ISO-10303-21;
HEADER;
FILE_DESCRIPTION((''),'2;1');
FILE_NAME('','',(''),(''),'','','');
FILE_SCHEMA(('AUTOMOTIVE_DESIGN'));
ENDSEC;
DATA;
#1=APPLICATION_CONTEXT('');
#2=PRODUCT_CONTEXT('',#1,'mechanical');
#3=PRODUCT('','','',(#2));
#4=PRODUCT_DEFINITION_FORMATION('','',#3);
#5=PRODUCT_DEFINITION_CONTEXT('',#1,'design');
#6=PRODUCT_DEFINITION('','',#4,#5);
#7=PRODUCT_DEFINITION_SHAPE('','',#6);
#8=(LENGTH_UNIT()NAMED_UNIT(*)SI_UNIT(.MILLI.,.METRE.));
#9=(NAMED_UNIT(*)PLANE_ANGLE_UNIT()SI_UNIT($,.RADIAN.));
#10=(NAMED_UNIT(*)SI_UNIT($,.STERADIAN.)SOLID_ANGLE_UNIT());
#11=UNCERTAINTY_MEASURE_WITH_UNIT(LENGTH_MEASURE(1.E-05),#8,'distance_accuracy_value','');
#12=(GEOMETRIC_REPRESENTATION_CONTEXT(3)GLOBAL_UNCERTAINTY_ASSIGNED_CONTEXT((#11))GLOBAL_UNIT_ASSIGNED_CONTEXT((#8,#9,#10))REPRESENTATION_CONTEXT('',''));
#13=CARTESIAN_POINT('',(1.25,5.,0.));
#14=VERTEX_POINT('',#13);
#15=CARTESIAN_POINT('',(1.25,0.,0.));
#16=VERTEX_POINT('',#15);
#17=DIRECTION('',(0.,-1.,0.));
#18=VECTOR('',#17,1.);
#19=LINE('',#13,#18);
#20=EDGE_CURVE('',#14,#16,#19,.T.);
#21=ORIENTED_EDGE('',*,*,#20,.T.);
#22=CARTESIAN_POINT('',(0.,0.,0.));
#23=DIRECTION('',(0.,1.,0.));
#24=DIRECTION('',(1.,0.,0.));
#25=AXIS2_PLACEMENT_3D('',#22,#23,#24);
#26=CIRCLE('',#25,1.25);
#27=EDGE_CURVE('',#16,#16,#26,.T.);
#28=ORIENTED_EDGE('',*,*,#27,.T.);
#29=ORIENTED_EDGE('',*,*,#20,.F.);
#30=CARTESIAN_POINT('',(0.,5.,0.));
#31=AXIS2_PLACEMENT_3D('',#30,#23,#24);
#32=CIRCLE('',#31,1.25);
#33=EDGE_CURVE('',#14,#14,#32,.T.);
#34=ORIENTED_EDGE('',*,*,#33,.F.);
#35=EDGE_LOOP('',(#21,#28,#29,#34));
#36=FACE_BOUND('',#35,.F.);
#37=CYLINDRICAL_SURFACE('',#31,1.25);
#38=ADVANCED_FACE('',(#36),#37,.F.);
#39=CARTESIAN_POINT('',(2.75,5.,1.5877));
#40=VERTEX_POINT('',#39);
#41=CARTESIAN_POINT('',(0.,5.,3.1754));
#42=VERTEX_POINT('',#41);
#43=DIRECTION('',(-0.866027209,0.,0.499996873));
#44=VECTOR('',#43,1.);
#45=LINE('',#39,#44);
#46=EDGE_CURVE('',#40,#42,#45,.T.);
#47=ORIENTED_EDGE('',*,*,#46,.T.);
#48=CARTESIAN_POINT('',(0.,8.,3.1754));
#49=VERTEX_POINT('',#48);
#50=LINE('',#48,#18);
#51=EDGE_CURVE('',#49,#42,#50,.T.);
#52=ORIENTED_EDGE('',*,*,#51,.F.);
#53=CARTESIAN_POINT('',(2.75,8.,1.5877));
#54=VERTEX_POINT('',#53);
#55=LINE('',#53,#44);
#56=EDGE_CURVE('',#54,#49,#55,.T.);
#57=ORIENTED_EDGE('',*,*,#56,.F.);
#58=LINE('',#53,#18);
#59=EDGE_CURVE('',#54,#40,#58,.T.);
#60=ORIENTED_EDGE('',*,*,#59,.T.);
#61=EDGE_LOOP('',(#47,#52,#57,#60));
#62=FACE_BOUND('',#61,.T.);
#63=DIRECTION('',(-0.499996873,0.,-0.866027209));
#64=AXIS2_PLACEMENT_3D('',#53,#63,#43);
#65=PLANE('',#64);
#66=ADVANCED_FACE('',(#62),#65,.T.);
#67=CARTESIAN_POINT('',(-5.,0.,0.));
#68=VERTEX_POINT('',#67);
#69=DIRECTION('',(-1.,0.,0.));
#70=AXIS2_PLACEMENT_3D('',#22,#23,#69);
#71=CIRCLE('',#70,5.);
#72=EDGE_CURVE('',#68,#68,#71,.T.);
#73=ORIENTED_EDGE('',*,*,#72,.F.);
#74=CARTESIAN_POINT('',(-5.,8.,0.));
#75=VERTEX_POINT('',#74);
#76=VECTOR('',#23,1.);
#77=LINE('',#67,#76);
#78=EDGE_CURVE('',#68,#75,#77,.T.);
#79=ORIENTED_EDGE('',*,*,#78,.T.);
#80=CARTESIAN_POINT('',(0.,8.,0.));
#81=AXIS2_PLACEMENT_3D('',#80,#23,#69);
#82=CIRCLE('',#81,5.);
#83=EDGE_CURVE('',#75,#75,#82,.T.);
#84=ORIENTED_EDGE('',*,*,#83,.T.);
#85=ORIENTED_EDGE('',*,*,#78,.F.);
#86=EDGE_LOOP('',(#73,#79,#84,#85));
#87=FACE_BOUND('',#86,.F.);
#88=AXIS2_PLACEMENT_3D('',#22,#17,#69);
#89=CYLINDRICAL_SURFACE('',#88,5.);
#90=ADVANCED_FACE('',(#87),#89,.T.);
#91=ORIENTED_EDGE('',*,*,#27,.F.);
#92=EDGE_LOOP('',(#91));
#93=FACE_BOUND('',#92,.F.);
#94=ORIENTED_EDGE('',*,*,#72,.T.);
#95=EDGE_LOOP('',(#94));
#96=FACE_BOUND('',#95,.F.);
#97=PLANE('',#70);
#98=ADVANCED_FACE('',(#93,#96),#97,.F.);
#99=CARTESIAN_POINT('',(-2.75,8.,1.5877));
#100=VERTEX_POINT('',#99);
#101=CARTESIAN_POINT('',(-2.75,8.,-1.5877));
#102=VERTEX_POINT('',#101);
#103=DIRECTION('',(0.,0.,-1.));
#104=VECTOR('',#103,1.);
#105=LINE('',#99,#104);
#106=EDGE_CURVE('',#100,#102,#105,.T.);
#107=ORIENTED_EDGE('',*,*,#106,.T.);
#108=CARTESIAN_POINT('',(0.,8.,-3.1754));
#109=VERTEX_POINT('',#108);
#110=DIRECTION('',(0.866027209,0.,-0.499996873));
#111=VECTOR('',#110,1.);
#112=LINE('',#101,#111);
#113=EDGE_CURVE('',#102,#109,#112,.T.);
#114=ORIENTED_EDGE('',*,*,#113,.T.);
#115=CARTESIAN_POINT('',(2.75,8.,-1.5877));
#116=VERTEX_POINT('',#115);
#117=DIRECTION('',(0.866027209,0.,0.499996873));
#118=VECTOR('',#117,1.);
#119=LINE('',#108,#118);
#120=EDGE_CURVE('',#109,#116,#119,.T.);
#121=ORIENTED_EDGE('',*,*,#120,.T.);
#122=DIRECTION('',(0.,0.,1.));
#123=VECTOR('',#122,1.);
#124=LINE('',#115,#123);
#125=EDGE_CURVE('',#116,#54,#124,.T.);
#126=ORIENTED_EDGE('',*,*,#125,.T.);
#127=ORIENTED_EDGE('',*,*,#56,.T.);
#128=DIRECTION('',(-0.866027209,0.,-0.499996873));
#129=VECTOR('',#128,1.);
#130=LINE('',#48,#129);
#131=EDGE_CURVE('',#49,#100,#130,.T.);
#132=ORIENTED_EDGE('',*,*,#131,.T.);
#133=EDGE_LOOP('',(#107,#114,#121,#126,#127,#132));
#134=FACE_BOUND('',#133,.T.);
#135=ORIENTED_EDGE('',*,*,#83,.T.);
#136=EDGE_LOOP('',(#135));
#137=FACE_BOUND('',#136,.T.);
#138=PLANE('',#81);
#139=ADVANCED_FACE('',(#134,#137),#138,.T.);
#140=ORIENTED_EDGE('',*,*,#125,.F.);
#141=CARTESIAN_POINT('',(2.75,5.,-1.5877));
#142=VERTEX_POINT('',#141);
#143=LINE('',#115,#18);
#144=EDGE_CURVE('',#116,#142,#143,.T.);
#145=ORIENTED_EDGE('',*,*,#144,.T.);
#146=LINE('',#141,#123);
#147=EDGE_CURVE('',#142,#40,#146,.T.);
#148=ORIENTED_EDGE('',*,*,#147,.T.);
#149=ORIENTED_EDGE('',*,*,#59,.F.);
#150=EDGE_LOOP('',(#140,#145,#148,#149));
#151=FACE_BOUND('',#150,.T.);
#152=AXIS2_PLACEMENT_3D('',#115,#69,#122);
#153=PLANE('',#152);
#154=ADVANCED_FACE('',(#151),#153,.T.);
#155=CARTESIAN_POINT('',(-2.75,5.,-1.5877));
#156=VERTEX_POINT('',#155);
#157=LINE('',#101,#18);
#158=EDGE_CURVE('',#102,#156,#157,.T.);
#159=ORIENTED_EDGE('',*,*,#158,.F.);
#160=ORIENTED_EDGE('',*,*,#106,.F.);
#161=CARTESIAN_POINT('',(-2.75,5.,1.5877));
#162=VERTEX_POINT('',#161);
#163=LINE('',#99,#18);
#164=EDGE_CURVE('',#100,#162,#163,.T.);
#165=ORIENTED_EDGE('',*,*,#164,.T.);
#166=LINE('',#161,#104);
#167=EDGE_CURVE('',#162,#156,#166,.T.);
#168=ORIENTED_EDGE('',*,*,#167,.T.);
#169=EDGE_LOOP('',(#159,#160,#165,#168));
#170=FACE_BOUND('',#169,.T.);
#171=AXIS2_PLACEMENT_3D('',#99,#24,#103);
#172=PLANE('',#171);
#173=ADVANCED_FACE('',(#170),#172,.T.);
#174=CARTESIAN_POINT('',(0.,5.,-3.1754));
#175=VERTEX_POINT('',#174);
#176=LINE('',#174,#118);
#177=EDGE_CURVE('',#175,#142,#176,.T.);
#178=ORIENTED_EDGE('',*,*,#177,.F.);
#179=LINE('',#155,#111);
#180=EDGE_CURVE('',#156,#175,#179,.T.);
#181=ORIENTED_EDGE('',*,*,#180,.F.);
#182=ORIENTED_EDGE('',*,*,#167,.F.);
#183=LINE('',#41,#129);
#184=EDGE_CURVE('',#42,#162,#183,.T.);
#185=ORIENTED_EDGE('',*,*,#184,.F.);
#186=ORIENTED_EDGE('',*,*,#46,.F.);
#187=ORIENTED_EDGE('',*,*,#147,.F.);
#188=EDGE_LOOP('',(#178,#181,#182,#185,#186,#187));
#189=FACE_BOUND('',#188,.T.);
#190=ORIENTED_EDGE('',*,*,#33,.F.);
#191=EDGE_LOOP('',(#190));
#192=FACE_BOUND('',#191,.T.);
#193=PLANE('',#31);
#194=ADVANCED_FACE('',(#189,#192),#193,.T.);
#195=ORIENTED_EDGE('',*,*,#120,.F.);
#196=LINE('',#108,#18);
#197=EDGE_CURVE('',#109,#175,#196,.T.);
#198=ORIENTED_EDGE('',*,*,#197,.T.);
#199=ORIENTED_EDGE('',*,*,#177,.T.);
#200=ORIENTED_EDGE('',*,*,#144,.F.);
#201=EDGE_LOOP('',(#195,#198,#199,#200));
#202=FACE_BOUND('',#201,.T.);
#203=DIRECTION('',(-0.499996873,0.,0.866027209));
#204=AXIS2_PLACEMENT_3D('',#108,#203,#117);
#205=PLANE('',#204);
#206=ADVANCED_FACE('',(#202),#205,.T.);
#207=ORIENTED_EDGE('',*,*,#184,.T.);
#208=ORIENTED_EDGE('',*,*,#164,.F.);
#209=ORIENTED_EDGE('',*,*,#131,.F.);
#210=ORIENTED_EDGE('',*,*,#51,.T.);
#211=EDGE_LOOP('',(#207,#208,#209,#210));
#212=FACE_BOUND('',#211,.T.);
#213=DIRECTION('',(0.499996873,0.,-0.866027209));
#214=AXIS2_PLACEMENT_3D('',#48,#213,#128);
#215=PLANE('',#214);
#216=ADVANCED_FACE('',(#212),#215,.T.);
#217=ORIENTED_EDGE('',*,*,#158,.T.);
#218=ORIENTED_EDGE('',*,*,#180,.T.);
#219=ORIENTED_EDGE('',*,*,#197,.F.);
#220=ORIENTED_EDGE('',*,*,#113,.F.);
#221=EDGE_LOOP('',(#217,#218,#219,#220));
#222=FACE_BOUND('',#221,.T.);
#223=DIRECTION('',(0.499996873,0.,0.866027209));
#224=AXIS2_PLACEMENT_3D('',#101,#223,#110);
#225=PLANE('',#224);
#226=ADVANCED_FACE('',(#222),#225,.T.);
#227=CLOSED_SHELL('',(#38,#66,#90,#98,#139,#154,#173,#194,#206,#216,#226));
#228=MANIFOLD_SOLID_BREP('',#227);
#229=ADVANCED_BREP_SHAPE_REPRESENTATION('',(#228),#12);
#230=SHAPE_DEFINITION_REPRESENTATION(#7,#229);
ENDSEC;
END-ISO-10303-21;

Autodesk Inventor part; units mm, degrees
ref_plane "YZ Plane" through (0, 0, 0) normal (1, 0, 0) x (0, 1, 0)
ref_plane "XZ Plane" through (0, 0, 0) normal (0, 1, 0) x (-1, 0, 0)
ref_plane "XY Plane" through (0, 0, 0) normal (0, 0, 1) x (1, 0, 0)
sketch "Szkic1" plane through (0, 0, 0) normal (0, 1, 0) x (-1, 0, 0)
  circle A0 centre (0, 0) radius 5
  dimension "d0" = 10
extrude "Wyciągnięcie proste1" add sketch "Szkic1" along normal blind 8
sketch "Szkic2" plane through (0, 8, 0) normal (0, 1, 0) x (1, 0, 0)
  line L0 (-2.75, -1.5877) -> (-2.75, 1.5877)
  line L1 (-2.75, 1.5877) -> (0, 3.1754)
  line L2 (0, 3.1754) -> (2.75, 1.5877)
  line L3 (2.75, 1.5877) -> (2.75, -1.5877)
  line L4 (2.75, -1.5877) -> (0, -3.1754)
  line L5 (0, -3.1754) -> (-2.75, -1.5877)
  line L6 (0, 7) -> (0, -7) projected
  point P0 (0, 0)
  point P1 (0, 0)
  dimension "d3" = 5.5
extrude "Wyciągnięcie proste2" cut sketch "Szkic2" against normal blind 3
sketch "Szkic3" plane through (0, 5, 0) normal (0, 1, 0) x (1, 0, 0)
  circle A0 centre (0, 0) radius 5 projected
  circle A1 centre (0, 0) radius 1.25
  dimension "d6" = 2.5
extrude "Wyciągnięcie proste3" cut sketch "Szkic3" against normal through all contours A1
properties part number "housing_legs"
